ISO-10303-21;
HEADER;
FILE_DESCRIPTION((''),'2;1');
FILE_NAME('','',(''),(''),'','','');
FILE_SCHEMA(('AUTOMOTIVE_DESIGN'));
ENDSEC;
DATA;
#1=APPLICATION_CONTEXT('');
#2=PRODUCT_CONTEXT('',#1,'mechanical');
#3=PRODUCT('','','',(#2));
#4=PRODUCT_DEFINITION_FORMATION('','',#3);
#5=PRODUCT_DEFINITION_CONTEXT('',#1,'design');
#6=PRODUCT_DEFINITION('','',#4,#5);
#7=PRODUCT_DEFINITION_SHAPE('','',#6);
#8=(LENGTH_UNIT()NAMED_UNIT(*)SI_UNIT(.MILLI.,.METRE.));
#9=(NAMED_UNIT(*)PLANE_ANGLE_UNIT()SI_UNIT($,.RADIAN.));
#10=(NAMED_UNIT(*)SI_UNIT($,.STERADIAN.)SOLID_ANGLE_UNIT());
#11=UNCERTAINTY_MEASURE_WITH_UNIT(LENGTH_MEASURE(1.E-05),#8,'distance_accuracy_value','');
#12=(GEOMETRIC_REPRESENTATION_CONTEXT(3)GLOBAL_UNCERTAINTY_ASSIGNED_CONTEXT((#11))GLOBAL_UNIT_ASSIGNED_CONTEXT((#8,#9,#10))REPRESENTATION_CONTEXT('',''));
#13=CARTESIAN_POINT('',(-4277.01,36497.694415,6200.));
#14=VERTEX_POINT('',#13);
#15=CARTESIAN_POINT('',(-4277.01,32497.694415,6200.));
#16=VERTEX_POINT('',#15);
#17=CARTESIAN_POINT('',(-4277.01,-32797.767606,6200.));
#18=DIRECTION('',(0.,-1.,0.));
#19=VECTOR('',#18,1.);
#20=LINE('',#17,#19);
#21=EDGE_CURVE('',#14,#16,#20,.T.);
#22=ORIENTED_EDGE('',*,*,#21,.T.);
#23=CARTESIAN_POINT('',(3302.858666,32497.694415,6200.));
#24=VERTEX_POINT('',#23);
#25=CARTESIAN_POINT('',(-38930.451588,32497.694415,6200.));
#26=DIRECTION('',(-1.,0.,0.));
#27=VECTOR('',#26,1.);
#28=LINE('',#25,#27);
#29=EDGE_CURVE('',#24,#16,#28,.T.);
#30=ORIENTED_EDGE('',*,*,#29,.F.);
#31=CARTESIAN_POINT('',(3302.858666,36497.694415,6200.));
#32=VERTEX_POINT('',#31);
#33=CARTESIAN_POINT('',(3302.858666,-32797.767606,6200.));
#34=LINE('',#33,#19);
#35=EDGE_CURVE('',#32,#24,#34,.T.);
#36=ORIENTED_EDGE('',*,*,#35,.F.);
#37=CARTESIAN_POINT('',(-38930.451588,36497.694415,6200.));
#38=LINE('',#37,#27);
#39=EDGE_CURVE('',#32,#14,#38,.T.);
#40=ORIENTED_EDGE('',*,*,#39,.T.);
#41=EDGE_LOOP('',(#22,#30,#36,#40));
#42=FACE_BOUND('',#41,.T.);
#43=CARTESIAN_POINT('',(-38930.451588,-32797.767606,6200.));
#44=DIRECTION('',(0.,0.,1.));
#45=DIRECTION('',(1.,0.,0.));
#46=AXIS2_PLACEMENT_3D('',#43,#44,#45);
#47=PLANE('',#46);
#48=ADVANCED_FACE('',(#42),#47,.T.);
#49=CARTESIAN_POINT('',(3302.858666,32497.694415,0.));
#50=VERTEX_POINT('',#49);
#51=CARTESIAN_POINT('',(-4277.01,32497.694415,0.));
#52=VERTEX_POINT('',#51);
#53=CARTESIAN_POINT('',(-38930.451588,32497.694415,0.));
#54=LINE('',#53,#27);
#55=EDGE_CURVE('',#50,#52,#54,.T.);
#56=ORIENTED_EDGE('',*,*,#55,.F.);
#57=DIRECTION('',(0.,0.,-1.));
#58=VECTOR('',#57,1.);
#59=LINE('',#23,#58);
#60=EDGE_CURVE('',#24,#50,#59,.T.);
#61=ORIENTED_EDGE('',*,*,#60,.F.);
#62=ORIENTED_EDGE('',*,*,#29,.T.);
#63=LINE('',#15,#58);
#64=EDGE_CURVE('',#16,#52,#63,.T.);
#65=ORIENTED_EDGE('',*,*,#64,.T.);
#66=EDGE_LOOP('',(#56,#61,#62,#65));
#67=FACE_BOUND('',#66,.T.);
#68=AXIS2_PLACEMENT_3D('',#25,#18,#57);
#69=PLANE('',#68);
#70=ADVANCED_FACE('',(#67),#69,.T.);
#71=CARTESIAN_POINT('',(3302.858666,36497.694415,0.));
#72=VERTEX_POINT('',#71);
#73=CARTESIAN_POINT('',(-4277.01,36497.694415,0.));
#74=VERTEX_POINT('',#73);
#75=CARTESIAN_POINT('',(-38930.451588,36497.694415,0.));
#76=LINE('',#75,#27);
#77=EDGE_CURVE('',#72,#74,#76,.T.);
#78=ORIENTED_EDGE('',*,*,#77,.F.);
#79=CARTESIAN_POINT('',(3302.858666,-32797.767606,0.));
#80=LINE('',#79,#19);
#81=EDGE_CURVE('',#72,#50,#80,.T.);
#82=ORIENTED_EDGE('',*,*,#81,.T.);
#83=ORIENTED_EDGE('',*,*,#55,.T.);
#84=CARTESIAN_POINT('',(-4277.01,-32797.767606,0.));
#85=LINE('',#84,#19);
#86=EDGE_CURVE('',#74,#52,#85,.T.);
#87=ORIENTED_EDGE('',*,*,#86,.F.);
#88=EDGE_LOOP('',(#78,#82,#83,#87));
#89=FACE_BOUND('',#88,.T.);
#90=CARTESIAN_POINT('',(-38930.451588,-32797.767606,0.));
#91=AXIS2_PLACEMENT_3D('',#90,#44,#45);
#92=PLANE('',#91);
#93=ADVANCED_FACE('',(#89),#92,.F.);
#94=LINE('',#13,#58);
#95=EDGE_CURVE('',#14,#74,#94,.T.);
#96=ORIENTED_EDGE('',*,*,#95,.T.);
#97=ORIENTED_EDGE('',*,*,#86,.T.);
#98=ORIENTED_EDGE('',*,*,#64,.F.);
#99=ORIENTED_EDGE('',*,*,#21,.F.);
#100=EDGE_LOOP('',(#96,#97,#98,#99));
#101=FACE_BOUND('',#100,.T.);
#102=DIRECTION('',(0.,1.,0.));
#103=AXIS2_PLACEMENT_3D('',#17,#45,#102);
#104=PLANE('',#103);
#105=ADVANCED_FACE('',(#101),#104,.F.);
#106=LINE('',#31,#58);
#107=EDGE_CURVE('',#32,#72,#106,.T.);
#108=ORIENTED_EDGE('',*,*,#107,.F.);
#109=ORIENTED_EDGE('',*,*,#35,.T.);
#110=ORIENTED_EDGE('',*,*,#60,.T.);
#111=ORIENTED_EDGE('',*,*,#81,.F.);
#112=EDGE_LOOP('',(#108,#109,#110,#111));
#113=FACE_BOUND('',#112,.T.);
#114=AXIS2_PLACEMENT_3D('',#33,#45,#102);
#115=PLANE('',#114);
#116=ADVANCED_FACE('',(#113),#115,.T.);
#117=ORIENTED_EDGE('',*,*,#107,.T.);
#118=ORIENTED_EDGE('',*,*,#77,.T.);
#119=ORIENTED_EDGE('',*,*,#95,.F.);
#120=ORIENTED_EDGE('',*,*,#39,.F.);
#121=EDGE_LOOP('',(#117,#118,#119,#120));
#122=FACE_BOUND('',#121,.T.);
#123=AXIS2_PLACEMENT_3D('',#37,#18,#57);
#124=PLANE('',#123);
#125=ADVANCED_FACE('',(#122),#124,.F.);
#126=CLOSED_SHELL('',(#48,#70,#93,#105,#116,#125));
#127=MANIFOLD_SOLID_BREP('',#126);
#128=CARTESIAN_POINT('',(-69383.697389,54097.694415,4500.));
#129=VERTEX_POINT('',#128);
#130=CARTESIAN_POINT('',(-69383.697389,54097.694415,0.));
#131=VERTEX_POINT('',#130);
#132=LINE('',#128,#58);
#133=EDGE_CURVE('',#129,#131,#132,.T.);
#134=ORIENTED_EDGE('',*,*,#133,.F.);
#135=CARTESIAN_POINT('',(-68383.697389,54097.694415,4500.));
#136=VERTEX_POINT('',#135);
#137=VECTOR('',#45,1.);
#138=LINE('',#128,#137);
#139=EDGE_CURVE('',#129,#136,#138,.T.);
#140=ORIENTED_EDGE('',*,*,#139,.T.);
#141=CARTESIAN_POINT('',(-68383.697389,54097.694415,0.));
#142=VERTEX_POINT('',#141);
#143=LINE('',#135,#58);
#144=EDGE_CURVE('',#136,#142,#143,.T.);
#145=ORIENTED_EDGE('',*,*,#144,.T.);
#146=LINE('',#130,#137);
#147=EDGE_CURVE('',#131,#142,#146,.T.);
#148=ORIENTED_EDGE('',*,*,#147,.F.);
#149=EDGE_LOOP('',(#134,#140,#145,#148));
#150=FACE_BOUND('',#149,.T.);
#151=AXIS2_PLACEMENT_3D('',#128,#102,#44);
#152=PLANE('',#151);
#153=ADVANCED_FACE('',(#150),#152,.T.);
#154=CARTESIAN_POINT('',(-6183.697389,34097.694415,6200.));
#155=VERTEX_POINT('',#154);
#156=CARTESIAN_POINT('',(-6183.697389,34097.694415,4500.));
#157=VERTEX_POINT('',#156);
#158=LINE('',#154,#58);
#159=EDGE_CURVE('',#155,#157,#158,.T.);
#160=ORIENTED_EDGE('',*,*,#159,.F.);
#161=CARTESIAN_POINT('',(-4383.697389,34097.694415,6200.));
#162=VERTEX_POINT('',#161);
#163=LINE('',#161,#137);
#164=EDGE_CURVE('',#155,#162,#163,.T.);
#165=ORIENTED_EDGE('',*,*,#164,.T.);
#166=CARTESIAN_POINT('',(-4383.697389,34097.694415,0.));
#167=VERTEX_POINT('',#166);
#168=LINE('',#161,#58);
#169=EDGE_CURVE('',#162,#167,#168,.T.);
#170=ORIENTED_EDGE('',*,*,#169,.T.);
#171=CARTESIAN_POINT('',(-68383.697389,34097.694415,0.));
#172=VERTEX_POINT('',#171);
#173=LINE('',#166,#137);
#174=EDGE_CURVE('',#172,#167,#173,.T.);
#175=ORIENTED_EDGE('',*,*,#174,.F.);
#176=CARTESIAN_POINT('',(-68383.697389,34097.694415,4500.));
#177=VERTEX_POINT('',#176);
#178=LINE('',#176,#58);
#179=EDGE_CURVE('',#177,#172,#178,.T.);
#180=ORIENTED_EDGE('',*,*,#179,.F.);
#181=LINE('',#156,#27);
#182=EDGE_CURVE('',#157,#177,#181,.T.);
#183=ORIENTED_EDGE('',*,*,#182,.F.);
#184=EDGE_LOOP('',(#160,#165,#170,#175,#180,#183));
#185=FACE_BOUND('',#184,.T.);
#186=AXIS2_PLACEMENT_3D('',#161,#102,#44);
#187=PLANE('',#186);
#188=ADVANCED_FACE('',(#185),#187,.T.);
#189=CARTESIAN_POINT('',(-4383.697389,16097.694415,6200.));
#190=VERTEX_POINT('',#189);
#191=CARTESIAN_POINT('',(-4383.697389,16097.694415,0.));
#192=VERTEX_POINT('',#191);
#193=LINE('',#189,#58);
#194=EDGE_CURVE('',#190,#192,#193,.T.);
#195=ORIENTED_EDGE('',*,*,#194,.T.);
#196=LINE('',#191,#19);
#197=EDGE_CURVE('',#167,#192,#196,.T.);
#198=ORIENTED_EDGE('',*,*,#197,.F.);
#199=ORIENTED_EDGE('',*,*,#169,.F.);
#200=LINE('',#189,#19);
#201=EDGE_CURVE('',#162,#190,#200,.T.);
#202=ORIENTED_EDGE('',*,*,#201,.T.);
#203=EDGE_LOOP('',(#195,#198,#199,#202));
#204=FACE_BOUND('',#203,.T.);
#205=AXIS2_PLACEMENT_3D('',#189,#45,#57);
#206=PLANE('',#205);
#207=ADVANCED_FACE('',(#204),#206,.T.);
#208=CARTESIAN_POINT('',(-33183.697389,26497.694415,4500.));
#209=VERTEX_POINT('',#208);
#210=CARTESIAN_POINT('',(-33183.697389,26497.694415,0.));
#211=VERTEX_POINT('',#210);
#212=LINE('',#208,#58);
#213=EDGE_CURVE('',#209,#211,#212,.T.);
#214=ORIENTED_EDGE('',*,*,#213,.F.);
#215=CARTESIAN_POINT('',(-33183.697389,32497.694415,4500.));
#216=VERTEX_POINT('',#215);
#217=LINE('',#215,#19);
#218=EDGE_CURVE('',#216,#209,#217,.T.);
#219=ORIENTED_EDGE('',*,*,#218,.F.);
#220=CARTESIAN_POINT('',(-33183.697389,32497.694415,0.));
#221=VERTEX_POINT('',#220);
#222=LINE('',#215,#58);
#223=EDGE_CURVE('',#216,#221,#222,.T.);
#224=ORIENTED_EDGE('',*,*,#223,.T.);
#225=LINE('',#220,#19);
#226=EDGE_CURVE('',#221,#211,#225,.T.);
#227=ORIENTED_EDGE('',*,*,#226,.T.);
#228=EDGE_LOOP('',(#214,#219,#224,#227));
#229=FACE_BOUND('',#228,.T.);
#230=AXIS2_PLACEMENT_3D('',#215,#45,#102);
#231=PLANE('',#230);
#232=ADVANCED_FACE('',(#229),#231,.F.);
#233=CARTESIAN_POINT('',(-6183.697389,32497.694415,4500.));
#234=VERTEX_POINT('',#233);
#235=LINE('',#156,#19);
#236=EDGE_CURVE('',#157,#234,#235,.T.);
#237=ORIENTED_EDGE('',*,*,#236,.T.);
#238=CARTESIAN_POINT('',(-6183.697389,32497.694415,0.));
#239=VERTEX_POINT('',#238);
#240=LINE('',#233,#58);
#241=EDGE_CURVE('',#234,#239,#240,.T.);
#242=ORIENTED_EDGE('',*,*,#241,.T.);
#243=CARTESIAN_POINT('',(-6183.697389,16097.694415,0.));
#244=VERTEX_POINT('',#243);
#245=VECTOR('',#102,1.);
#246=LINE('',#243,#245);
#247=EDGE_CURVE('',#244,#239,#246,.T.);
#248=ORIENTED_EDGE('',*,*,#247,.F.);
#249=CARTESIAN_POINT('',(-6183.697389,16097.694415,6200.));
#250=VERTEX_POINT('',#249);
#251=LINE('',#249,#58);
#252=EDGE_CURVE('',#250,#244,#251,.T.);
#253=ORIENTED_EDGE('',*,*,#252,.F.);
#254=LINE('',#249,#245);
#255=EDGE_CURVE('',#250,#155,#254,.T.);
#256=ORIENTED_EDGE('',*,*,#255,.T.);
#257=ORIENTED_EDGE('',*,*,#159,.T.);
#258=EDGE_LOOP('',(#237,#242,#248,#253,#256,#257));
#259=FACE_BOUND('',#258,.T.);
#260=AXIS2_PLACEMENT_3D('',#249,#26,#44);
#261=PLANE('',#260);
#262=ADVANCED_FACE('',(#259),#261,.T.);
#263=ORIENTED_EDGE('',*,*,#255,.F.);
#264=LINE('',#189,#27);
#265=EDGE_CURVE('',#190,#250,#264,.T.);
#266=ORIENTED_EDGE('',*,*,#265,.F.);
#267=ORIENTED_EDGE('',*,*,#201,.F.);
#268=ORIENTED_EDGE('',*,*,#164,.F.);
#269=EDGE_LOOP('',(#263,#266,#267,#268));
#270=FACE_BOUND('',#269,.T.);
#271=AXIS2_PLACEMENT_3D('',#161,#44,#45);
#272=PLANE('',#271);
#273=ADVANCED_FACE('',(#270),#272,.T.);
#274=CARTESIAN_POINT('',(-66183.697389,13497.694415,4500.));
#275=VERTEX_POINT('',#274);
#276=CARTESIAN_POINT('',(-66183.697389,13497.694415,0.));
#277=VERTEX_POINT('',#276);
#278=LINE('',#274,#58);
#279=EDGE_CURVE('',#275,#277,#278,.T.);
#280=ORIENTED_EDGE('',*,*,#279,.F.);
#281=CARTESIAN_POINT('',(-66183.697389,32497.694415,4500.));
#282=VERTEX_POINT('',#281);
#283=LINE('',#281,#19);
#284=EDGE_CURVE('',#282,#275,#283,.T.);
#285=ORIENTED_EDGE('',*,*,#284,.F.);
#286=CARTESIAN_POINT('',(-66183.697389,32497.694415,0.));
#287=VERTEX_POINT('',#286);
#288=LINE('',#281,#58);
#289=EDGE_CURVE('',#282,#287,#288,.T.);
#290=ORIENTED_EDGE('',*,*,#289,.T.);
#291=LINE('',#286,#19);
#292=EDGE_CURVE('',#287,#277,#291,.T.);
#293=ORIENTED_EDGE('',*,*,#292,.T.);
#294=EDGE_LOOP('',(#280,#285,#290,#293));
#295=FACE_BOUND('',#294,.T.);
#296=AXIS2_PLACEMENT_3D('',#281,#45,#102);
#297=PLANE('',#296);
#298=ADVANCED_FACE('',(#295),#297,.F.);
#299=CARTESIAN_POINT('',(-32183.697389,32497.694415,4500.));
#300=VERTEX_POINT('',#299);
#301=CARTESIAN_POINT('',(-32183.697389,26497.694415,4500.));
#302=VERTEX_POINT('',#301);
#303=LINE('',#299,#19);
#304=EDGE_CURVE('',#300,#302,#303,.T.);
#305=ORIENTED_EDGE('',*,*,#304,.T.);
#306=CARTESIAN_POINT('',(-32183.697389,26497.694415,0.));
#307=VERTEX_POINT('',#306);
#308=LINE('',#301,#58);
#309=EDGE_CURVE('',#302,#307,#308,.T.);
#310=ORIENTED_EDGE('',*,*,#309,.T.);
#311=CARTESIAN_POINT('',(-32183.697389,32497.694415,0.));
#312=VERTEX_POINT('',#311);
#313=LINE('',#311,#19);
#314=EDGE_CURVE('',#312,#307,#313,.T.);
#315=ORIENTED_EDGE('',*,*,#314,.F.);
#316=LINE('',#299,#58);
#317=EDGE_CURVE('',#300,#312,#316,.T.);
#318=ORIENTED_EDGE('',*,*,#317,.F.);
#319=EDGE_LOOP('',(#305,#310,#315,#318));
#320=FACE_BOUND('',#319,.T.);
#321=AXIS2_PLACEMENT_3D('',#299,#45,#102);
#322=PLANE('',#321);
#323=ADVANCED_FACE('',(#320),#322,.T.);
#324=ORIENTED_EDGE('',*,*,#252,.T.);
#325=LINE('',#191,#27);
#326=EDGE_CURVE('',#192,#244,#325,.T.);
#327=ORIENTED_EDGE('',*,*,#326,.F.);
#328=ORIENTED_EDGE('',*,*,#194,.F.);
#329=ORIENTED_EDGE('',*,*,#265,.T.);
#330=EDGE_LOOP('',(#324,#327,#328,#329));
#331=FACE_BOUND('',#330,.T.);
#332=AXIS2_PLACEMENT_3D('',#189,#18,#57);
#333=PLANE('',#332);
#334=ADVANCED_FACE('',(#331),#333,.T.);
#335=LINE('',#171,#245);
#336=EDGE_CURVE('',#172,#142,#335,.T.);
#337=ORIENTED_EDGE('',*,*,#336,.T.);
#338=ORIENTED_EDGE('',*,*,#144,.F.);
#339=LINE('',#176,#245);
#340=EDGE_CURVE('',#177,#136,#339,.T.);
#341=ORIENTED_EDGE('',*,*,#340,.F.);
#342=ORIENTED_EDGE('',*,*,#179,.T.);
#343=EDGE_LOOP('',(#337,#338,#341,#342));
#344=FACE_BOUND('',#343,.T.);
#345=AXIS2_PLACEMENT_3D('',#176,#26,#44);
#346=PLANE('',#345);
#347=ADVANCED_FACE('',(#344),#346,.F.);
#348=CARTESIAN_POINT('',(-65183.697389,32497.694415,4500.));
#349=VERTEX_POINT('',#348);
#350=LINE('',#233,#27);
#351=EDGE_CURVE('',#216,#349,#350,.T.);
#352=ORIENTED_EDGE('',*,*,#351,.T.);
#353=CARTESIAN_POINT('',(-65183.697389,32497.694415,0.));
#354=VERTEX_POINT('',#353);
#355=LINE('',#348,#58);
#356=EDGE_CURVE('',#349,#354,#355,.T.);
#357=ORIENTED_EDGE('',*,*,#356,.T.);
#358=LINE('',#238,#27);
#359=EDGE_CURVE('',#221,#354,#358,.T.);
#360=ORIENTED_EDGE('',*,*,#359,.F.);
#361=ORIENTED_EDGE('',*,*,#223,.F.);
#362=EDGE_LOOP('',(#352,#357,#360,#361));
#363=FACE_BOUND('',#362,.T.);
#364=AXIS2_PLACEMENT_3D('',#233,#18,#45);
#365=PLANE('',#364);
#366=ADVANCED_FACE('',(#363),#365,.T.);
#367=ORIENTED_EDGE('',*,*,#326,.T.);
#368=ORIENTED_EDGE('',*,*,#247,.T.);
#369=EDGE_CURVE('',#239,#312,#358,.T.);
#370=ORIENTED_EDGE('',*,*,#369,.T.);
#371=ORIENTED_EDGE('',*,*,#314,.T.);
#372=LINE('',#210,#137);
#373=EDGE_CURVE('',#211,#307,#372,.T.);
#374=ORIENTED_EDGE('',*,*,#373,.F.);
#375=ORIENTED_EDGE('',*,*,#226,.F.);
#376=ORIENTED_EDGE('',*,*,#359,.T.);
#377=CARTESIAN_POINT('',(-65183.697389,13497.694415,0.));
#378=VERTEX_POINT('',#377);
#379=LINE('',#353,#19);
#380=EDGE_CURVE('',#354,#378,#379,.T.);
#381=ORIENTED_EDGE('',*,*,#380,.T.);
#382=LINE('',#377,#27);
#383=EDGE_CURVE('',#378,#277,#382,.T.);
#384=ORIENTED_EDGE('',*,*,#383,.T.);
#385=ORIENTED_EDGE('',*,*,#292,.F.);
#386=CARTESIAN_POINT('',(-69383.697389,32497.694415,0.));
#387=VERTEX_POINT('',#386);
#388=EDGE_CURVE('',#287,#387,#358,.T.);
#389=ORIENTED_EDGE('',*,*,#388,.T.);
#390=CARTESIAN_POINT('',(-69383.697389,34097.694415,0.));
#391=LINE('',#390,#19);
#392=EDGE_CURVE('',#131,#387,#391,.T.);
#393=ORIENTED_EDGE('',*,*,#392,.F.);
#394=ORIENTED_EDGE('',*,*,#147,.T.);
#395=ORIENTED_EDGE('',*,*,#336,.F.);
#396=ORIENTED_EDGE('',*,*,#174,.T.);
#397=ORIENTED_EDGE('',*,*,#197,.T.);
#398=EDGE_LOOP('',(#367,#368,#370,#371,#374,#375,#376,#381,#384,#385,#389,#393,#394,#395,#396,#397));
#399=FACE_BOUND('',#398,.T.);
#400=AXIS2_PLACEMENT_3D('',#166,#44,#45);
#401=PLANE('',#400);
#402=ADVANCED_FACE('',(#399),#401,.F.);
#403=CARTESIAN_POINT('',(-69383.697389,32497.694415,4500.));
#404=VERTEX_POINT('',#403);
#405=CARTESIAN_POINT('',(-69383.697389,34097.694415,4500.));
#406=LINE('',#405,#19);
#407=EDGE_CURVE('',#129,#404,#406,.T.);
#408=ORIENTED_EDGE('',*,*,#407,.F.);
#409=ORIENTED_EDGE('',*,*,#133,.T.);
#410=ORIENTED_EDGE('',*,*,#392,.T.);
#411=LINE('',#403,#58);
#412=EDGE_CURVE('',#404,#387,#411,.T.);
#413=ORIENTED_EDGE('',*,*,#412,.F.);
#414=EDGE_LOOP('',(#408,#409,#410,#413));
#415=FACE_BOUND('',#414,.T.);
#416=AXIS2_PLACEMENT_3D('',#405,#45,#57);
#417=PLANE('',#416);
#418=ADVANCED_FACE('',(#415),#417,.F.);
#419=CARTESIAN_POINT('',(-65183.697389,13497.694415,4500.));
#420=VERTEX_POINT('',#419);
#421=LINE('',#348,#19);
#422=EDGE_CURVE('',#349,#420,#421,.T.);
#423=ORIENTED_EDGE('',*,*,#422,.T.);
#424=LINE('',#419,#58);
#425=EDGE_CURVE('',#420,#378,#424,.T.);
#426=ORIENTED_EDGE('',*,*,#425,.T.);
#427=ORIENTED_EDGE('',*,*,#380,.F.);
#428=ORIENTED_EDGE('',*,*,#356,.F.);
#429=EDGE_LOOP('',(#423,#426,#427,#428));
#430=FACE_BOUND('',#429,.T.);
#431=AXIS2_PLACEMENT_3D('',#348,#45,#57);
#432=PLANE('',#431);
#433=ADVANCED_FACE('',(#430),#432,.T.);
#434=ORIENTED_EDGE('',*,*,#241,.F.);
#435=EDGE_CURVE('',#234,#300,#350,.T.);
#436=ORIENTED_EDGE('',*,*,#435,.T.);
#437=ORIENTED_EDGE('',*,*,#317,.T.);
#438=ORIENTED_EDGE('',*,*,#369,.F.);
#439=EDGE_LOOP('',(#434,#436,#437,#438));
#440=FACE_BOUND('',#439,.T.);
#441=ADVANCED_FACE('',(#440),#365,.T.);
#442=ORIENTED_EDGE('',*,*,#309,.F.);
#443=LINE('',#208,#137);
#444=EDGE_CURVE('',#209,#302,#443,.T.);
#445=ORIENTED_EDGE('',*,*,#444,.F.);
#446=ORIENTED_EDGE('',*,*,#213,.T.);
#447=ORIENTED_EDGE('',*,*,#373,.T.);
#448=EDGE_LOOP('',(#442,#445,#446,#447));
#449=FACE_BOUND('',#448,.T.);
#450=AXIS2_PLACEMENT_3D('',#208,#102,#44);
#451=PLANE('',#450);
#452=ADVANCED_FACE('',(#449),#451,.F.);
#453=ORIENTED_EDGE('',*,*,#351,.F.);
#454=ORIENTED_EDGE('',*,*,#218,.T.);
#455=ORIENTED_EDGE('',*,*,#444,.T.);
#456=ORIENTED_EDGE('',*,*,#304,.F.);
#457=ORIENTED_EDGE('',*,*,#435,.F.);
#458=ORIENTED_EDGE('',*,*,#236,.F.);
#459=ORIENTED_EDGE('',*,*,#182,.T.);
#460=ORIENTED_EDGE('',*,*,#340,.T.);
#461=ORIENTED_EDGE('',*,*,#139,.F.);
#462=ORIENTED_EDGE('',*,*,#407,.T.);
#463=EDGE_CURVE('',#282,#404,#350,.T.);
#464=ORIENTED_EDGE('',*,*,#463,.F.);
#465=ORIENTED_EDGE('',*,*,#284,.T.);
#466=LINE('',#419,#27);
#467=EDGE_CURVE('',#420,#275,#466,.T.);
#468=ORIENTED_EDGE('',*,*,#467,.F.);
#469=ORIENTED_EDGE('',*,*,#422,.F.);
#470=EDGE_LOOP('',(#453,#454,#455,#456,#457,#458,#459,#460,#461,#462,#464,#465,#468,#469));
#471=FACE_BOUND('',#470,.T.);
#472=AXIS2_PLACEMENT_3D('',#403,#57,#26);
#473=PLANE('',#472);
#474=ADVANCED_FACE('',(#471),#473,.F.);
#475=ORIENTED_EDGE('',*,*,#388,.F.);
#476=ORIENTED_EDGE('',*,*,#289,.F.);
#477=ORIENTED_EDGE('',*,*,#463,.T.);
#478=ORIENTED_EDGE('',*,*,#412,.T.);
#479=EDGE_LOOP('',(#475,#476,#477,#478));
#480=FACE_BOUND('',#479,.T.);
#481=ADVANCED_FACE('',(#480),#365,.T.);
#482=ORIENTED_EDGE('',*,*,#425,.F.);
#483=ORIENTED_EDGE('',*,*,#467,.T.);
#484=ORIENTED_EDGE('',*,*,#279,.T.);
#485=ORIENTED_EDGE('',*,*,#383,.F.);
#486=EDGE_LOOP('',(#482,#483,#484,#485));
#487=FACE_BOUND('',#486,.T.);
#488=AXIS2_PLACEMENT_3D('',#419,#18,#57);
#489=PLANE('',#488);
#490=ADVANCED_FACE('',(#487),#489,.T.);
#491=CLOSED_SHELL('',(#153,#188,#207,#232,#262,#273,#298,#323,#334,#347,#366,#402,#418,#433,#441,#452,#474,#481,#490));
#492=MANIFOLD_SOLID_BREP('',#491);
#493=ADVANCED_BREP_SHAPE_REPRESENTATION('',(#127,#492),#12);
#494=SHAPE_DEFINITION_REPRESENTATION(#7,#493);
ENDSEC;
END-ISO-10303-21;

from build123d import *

# Parameters (mm, degrees)
SKETCH1_W      = 7579.868665923
SKETCH1_H      = 4000
EXTRUDE1_DEPTH = 6200
SKETCH2_W      = 1800
SKETCH2_H      = 18000
EXTRUDE2_DEPTH = 6200
SKETCH3_W      = 1000
SKETCH3_H      = 20000
SKETCH3_H_2    = 6000
SKETCH3_H_3    = 19000
EXTRUDE3_DEPTH = 4500


with BuildPart() as part:
    # Sketch1 → Extrude1 (new body)
    with BuildSketch(Plane.XY):
        with Locations((-487.075667039, 34497.694415458)):
            Rectangle(SKETCH1_W, SKETCH1_H)
    extrude(amount=EXTRUDE1_DEPTH)


with BuildPart() as body_2:
    # Sketch2 → Extrude2 (new body)
    with BuildSketch(Plane(origin=(0, 0, 0), x_dir=(-1, 0, 0), z_dir=(0, 0, -1))):
        with Locations((5283.69738863, 25097.694415458)):
            Rectangle(SKETCH2_W, SKETCH2_H)
    extrude(amount=-EXTRUDE2_DEPTH)

    # Sketch3 → Extrude3 (add)
    with BuildSketch(Plane.XY):
        Polygon((-6183.69738863, 32497.694415458), (-6183.69738863, 34097.694415458), (-68383.69738863, 34097.694415458), (-69383.69738863, 34097.694415458), (-69383.69738863, 32497.694415458), (-66183.69738863, 32497.694415458), (-65183.69738863, 32497.694415458), (-33183.69738863, 32497.694415458), (-32183.69738863, 32497.694415458), align=None)
        with Locations((-68883.69738863, 44097.694415458)):
            Rectangle(SKETCH3_W, SKETCH3_H)
        with Locations((-32683.69738863, 29497.694415458)):
            Rectangle(SKETCH3_W, SKETCH3_H_2)
        with Locations((-65683.69738863, 22997.694415458)):
            Rectangle(SKETCH3_W, SKETCH3_H_3)
    extrude(amount=EXTRUDE3_DEPTH)


solid = Compound([part.part, body_2.part])
